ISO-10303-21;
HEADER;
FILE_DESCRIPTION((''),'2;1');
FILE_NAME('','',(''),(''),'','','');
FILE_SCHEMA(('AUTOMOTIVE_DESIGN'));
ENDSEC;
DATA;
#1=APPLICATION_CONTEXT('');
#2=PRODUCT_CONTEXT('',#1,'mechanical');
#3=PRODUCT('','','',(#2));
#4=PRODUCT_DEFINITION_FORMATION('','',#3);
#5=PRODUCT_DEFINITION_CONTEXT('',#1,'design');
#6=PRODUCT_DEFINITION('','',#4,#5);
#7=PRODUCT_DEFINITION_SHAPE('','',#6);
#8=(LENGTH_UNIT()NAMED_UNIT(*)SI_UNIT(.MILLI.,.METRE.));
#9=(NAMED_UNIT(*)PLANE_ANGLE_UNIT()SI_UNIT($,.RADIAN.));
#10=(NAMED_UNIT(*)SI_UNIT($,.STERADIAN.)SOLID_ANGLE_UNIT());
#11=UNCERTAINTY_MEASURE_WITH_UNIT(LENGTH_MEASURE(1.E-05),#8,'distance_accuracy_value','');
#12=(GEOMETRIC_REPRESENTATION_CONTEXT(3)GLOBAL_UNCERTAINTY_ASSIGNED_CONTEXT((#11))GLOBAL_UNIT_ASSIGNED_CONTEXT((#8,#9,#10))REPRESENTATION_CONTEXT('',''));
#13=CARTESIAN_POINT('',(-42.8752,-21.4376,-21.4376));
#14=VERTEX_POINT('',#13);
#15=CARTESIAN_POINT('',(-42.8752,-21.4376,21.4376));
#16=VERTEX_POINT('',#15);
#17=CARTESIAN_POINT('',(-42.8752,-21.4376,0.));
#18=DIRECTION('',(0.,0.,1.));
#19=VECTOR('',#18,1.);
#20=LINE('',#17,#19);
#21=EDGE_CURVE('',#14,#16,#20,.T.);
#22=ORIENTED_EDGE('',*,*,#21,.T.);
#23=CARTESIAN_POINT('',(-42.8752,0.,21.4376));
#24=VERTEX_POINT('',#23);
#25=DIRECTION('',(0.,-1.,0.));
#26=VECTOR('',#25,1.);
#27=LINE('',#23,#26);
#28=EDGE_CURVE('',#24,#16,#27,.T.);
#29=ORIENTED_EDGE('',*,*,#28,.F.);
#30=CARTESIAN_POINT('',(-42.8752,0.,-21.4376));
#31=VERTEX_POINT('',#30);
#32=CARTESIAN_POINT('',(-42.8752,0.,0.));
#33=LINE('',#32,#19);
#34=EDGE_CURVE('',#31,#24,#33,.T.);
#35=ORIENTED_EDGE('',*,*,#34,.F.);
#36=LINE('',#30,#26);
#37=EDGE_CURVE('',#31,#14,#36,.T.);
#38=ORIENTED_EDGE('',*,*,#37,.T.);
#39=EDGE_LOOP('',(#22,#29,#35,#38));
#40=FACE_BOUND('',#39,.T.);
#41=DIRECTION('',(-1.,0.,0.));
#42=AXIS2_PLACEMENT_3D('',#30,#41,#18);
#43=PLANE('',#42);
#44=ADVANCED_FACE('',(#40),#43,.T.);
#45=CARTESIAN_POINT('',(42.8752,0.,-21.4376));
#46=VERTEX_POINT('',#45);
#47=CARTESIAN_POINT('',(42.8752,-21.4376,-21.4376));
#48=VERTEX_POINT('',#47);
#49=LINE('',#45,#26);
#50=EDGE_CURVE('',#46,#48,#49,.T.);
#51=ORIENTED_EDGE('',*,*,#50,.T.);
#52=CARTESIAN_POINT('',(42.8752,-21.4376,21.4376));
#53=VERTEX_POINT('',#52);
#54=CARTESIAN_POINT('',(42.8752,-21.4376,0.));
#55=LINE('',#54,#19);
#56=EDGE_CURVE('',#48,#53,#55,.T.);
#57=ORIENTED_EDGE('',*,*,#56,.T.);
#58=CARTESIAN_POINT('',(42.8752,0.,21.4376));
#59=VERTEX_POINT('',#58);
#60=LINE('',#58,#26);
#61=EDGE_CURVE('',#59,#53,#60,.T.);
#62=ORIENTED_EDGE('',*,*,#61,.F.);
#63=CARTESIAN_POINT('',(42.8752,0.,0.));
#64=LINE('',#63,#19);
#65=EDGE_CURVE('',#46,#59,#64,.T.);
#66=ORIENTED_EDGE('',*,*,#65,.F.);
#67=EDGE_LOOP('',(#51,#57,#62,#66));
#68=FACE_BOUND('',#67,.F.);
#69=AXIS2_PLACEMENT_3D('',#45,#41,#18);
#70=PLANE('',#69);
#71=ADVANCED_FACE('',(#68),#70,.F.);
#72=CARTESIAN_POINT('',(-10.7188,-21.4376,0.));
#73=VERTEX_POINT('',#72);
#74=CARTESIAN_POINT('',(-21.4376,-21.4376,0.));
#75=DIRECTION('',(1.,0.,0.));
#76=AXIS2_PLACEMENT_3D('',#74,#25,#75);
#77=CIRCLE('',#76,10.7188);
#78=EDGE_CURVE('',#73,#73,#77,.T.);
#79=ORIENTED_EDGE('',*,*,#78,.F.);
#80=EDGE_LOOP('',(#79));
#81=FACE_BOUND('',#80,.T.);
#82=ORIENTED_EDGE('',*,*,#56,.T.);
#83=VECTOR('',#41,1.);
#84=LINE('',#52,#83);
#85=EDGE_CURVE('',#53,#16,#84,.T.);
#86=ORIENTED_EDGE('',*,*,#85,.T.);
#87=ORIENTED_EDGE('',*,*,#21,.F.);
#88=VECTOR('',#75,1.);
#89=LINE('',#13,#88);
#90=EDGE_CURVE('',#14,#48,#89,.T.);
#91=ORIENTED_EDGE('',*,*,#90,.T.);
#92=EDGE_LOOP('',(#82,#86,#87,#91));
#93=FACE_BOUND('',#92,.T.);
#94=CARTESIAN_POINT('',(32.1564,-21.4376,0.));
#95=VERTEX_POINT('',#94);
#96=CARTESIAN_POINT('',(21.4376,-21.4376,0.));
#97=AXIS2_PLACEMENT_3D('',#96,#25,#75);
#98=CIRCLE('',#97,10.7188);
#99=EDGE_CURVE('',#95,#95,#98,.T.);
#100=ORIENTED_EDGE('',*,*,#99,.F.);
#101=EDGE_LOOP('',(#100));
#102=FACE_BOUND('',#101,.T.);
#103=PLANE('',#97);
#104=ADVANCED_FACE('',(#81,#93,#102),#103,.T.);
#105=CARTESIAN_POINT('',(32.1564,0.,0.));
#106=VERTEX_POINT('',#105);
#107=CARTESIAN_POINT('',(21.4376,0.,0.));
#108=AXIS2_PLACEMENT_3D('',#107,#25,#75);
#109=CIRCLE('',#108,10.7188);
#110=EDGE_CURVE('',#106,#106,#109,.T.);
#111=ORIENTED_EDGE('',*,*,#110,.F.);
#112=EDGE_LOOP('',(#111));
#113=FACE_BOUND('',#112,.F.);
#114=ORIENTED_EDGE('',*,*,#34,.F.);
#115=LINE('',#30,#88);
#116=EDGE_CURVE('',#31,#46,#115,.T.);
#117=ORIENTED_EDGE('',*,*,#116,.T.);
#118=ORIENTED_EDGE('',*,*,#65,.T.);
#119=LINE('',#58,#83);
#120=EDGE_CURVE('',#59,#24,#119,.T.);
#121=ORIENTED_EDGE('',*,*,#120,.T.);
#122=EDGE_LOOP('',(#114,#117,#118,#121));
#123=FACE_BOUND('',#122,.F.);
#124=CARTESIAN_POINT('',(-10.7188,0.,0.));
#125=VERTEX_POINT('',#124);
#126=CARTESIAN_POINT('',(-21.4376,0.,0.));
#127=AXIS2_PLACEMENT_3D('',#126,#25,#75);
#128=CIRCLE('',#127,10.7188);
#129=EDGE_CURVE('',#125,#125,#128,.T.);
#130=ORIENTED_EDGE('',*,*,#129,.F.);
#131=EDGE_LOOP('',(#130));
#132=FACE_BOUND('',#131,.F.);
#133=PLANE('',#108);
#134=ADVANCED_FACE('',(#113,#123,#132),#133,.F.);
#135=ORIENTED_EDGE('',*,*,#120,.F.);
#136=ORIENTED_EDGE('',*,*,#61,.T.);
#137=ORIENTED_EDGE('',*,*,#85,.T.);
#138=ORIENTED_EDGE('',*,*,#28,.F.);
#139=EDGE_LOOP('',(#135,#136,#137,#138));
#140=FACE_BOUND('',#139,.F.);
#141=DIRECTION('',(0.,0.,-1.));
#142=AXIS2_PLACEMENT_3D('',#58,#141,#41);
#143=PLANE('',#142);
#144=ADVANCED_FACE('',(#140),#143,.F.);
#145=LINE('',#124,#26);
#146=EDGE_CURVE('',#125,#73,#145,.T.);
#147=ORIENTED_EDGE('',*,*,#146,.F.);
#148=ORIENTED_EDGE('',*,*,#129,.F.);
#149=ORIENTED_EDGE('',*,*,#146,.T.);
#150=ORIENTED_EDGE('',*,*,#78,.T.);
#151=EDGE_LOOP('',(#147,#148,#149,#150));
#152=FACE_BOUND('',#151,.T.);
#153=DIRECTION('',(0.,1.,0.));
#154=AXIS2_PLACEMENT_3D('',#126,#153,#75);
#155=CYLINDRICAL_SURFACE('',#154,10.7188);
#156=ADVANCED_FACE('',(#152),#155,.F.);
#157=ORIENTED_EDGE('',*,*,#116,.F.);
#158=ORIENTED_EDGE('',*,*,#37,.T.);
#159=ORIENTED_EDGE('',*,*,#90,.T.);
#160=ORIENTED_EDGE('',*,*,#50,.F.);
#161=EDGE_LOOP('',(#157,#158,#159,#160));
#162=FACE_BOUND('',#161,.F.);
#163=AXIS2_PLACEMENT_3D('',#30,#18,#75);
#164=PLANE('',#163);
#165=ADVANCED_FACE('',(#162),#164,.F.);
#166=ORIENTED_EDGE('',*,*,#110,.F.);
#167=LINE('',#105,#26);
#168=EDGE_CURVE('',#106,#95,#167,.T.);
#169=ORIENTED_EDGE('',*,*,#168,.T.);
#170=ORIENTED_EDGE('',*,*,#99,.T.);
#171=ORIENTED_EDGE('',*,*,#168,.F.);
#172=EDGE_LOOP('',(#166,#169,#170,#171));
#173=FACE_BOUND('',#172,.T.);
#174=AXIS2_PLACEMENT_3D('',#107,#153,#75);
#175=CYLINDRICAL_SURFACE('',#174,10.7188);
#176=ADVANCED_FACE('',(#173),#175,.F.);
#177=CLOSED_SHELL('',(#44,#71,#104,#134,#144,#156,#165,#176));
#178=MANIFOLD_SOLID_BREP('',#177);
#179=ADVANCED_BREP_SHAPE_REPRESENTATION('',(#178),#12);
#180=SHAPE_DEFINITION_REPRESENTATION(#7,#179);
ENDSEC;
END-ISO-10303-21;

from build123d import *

# Parameters (mm, degrees)
F0_W     = 42.8752
F0_H     = 42.8752
F0_R     = 10.7188
F1_DEPTH = 21.4376


with BuildPart() as f1:
    # F0 (on Front) → F1 (new body)
    with BuildSketch(Plane.XZ):
        with Locations((21.4376, 0)):
            Rectangle(F0_W, F0_H)
        with Locations((21.4376, 0)):
            Circle(F0_R, mode=Mode.SUBTRACT)
        with Locations((-21.4376, 0)):
            Rectangle(F0_W, F0_H)
        with Locations((-21.4376, 0)):
            Circle(F0_R, mode=Mode.SUBTRACT)
    extrude(amount=F1_DEPTH)


solid = f1.part
